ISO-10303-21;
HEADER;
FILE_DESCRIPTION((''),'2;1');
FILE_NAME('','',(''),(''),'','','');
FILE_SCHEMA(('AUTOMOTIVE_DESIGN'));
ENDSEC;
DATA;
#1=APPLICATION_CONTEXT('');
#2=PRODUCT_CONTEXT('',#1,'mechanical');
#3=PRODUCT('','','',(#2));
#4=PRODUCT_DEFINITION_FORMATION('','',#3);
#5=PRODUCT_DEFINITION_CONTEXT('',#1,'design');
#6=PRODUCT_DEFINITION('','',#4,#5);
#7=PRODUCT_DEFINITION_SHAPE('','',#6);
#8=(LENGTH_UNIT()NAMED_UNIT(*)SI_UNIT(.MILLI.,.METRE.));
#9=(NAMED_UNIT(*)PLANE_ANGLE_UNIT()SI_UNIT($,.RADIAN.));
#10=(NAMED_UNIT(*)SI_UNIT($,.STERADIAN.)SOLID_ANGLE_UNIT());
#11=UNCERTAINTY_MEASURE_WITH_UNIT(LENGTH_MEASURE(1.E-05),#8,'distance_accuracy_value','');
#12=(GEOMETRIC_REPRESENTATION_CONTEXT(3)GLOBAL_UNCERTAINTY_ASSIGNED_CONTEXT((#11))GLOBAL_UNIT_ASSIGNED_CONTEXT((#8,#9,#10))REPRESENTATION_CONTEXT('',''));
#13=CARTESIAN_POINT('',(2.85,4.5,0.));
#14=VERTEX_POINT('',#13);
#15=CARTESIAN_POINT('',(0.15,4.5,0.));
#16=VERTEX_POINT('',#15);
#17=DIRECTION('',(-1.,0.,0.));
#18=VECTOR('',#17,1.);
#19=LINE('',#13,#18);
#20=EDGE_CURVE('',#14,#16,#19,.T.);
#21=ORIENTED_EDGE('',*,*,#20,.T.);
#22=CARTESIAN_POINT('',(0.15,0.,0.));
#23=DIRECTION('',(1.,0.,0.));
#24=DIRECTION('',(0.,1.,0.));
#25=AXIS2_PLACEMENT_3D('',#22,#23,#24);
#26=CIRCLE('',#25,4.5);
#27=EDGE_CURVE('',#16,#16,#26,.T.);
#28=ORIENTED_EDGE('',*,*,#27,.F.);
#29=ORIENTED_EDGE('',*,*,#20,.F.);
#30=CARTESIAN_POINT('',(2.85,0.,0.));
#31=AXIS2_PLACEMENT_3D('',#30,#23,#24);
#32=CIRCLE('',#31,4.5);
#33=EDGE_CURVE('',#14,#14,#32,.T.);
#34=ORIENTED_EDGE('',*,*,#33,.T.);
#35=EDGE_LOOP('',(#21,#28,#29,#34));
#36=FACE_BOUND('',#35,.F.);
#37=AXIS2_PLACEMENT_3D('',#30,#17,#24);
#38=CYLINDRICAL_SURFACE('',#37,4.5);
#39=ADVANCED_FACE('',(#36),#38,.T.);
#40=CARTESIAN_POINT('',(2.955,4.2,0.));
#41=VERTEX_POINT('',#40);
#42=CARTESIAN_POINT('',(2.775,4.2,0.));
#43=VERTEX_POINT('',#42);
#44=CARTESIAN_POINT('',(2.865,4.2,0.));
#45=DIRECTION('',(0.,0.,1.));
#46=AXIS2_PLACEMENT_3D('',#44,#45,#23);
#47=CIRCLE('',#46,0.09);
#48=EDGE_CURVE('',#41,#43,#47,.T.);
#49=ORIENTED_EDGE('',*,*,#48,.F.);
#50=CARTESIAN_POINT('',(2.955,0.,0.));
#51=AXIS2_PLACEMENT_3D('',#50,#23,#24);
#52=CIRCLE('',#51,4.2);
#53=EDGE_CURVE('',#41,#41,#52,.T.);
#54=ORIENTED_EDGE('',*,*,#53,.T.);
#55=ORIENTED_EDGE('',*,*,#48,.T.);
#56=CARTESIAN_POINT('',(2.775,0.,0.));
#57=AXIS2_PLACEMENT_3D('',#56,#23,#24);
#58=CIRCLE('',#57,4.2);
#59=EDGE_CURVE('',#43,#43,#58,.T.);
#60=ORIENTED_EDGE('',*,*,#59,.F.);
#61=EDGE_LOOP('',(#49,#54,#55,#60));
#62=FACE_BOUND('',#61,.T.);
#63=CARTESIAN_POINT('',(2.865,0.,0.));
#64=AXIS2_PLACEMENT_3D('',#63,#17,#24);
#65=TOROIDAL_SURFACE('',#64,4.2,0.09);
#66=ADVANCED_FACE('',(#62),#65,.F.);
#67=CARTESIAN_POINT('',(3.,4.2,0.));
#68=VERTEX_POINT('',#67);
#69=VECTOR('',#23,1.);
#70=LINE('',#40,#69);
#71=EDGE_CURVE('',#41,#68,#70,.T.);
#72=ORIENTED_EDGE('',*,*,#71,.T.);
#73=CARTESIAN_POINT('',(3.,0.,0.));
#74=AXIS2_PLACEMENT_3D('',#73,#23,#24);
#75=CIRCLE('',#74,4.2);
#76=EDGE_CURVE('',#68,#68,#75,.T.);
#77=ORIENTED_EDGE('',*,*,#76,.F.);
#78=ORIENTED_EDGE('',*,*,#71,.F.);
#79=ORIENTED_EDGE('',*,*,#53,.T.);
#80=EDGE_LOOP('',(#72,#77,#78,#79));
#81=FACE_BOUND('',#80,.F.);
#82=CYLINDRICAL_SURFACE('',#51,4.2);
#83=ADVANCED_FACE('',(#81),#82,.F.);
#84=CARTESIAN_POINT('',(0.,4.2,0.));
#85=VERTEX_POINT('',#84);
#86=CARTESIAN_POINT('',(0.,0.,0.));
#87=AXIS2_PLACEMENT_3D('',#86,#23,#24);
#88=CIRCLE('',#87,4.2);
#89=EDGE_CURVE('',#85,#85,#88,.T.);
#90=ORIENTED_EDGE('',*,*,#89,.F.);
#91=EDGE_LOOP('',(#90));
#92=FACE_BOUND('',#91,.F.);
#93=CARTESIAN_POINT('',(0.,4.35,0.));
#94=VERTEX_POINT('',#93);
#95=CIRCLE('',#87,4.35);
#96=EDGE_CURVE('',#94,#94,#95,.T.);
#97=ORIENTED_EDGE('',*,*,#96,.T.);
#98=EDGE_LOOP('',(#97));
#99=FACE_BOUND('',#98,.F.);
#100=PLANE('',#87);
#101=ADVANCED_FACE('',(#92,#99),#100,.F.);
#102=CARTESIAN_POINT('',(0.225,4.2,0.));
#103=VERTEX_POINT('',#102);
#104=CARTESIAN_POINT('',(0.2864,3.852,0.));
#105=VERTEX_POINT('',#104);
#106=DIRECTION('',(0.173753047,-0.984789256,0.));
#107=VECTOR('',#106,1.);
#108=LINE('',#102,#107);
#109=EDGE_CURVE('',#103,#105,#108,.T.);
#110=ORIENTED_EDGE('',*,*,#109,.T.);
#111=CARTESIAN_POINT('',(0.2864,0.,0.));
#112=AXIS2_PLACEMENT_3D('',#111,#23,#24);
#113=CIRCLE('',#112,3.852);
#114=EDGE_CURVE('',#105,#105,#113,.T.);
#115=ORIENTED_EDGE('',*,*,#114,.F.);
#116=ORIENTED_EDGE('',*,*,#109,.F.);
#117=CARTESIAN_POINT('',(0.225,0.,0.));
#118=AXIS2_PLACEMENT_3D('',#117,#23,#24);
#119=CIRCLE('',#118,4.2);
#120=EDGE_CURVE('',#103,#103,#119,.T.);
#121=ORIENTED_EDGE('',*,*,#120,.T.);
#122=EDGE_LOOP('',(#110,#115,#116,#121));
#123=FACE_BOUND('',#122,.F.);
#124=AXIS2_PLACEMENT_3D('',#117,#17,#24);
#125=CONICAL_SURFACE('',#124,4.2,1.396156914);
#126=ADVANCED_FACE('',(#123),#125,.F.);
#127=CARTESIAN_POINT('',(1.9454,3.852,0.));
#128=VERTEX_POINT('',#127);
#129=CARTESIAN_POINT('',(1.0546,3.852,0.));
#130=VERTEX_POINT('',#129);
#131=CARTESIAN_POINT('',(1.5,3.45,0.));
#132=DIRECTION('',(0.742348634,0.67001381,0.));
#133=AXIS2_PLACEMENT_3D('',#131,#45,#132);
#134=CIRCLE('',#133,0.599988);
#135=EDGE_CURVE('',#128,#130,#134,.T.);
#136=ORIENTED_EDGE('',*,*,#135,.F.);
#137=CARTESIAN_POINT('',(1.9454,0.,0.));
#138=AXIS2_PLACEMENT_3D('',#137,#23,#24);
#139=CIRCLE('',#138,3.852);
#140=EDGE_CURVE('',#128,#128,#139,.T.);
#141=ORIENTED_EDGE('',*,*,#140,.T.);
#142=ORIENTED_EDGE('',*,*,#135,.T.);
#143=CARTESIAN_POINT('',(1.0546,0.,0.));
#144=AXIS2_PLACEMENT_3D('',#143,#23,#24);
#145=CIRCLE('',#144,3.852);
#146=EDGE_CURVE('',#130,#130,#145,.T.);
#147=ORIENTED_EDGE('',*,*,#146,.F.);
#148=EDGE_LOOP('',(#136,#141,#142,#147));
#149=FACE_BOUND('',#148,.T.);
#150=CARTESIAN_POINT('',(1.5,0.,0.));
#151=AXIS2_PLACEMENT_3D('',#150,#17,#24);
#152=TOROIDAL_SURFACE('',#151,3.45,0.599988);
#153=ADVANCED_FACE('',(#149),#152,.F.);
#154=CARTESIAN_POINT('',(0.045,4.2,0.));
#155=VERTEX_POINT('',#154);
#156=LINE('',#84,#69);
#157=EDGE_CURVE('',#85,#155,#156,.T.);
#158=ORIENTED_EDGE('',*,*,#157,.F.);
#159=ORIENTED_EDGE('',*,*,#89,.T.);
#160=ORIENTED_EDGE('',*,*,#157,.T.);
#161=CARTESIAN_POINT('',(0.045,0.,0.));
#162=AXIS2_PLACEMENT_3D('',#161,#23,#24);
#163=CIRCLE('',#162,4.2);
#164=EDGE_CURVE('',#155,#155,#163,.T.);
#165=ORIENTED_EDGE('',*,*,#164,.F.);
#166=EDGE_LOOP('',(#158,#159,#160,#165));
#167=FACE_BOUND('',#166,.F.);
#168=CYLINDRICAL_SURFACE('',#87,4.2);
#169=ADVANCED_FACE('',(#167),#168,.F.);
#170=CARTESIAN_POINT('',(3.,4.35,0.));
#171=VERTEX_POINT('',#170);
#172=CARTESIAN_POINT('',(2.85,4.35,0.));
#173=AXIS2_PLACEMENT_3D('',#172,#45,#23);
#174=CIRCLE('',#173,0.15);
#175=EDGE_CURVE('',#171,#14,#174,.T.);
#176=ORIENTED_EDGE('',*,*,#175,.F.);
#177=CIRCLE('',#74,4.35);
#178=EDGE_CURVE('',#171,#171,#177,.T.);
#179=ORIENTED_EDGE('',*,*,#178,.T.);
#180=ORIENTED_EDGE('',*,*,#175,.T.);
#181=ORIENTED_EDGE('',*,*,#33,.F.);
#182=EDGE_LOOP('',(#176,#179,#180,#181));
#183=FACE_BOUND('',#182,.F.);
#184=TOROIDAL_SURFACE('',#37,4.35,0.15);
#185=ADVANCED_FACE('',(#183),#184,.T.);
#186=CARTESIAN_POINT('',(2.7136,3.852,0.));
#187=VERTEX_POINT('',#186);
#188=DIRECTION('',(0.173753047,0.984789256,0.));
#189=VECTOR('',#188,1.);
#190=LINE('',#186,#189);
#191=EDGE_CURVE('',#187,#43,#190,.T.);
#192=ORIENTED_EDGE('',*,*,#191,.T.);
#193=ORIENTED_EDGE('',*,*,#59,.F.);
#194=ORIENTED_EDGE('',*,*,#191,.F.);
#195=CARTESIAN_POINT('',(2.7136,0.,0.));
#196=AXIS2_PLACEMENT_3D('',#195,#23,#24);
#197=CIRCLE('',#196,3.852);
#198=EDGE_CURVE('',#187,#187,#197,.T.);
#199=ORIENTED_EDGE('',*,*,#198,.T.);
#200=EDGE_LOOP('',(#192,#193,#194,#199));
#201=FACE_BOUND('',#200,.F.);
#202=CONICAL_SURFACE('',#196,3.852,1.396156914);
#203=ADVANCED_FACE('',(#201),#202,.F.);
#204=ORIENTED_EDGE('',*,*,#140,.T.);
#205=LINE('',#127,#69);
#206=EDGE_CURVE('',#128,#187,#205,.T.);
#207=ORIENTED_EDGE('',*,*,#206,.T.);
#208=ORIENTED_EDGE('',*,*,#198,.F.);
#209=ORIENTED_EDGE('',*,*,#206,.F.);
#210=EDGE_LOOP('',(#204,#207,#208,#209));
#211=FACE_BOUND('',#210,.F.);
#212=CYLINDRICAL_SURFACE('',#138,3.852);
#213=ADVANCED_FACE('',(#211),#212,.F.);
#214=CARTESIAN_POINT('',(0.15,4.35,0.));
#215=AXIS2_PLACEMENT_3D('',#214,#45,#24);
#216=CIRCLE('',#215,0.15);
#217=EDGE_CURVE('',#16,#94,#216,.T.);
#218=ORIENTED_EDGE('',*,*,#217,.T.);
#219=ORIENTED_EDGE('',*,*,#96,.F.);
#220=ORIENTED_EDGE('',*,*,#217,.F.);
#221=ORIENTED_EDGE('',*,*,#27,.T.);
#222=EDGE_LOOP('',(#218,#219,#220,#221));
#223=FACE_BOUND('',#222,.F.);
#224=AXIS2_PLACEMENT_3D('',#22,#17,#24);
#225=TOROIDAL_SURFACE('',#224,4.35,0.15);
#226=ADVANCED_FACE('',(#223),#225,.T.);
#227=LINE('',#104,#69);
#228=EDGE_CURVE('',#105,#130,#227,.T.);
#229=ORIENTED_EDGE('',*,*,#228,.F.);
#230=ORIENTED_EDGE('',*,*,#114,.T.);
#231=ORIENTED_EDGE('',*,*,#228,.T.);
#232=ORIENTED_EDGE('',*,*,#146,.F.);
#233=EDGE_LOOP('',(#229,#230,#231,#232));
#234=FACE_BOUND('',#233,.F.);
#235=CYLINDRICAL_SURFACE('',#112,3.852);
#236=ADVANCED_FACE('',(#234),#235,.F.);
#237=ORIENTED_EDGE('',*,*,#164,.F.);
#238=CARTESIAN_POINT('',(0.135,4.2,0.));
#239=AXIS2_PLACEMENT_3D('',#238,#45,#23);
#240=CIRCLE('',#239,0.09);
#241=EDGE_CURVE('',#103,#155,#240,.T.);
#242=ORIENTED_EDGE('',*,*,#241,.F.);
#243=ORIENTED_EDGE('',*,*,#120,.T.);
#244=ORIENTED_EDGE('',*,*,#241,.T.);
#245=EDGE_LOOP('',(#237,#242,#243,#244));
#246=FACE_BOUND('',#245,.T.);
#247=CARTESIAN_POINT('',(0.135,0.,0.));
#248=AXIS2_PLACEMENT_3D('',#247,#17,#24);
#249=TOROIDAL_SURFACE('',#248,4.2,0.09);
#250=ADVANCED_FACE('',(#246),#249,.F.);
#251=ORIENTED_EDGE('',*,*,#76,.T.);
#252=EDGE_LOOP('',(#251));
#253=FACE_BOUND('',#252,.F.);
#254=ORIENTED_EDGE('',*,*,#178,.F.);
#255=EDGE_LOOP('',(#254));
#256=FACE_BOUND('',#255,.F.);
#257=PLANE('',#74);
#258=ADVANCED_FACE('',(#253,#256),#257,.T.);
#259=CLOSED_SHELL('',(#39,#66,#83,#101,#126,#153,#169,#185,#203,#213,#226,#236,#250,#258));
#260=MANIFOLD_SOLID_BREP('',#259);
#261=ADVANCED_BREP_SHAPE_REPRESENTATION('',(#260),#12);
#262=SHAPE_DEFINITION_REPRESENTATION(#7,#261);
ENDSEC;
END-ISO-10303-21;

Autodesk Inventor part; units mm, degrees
ref_plane "YZ Plane" through (0, 0, 0) normal (1, 0, 0) x (0, 1, 0)
ref_plane "XZ Plane" through (0, 0, 0) normal (0, 1, 0) x (-1, 0, 0)
ref_plane "XY Plane" through (0, 0, 0) normal (0, 0, 1) x (1, 0, 0)
sketch "Sketch_17" plane through (0, 0, 0) normal (0, 0, 1) x (1, 0, 0)
  line L0 (50, 0) -> (-50, 0)
  line L1 (0, 4.35) -> (0, 4.2)
  line L2 (0, 4.2) -> (0.045, 4.2)
  arc A0 (0.225, 4.2) -> (0.045, 4.2) centre (0.135, 4.2) ccw
  line L3 (0.225, 4.2) -> (0.2864, 3.852)
  line L4 (0.2864, 3.852) -> (1.0546, 3.852)
  arc A1 (1.9454, 3.852) -> (1.0546, 3.852) centre (1.5, 3.45) ccw
  line L5 (1.9454, 3.852) -> (2.7136, 3.852)
  line L6 (2.7136, 3.852) -> (2.775, 4.2)
  arc A2 (2.955, 4.2) -> (2.775, 4.2) centre (2.865, 4.2) ccw
  line L7 (2.955, 4.2) -> (3, 4.2)
  line L8 (3, 4.2) -> (3, 4.35)
  arc A3 (3, 4.35) -> (2.85, 4.5) centre (2.85, 4.35) ccw
  line L9 (2.85, 4.5) -> (0.15, 4.5)
  arc A4 (0.15, 4.5) -> (0, 4.35) centre (0.15, 4.35) ccw
revolve "Revolution1" add sketch "Sketch_17" angle 360 about axis through (50, 0, 0) along (1, 0, 0)
properties part number "W 637/5 X-2Z_PART2"
